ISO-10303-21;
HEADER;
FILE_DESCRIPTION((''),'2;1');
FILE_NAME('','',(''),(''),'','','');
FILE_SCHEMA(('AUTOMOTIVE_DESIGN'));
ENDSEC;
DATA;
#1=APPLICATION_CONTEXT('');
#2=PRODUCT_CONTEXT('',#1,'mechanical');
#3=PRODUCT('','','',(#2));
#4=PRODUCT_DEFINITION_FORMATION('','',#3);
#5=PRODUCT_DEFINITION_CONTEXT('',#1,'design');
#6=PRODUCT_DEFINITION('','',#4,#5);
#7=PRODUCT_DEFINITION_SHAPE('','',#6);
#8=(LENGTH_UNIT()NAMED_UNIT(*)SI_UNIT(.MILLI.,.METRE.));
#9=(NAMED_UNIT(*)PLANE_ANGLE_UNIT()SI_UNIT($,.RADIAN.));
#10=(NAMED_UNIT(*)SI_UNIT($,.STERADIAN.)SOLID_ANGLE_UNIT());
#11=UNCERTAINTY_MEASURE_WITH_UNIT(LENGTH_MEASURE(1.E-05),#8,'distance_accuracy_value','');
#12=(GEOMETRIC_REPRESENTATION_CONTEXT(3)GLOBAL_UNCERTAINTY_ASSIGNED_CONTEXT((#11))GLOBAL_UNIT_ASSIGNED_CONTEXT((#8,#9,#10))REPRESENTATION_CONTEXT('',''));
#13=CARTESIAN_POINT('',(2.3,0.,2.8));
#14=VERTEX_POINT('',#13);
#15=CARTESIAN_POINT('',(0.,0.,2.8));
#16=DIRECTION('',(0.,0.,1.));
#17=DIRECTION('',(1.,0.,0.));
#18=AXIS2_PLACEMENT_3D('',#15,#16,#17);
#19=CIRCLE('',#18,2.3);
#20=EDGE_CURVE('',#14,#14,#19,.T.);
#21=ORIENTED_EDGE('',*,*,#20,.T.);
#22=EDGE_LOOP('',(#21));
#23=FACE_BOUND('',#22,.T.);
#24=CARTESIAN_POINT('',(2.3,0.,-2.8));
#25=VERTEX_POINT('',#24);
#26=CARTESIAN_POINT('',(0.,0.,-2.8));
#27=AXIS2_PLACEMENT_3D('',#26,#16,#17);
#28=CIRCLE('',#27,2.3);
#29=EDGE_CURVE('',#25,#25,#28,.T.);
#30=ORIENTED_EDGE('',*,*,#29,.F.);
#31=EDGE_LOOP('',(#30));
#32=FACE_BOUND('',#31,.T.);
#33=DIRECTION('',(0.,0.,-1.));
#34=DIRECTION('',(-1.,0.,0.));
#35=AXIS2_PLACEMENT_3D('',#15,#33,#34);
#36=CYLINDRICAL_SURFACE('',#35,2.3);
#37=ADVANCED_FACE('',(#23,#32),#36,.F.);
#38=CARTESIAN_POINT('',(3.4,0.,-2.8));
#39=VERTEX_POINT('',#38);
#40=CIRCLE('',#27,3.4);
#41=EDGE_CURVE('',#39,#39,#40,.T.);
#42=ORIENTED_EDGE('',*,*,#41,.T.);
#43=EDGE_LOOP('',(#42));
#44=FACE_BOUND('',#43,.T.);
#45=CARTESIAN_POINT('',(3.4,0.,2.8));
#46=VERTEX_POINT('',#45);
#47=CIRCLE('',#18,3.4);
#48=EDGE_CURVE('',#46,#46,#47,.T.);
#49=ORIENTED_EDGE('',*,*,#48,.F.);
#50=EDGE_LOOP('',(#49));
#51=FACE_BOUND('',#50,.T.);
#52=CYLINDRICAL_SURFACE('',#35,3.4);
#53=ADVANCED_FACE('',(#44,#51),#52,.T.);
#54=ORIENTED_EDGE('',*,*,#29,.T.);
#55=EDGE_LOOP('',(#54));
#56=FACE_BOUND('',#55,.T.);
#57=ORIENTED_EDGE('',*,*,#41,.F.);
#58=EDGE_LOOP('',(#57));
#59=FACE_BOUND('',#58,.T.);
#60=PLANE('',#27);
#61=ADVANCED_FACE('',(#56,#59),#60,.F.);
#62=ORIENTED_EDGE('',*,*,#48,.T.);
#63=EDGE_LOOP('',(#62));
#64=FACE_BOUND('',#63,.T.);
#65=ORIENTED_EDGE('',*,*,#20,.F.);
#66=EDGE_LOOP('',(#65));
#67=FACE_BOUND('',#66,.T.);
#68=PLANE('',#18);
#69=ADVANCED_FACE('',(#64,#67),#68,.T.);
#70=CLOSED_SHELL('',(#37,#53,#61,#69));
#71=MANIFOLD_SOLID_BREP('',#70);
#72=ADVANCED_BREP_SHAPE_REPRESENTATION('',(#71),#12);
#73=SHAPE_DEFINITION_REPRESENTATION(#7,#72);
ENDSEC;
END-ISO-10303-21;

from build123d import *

# Parameters (mm, degrees)
ESQUISSE1_R        = 3.4
ESQUISSE1_R_2      = 2.3
BOSS_EXTRU_1_DEPTH = 2.8


with BuildPart() as part:
    # Esquisse1 → Boss.-Extru.1 (new, symmetric)
    with BuildSketch(Plane.XY):
        Circle(ESQUISSE1_R)
        Circle(ESQUISSE1_R_2, mode=Mode.SUBTRACT)
    extrude(amount=BOSS_EXTRU_1_DEPTH, both=True)


solid = part.part
